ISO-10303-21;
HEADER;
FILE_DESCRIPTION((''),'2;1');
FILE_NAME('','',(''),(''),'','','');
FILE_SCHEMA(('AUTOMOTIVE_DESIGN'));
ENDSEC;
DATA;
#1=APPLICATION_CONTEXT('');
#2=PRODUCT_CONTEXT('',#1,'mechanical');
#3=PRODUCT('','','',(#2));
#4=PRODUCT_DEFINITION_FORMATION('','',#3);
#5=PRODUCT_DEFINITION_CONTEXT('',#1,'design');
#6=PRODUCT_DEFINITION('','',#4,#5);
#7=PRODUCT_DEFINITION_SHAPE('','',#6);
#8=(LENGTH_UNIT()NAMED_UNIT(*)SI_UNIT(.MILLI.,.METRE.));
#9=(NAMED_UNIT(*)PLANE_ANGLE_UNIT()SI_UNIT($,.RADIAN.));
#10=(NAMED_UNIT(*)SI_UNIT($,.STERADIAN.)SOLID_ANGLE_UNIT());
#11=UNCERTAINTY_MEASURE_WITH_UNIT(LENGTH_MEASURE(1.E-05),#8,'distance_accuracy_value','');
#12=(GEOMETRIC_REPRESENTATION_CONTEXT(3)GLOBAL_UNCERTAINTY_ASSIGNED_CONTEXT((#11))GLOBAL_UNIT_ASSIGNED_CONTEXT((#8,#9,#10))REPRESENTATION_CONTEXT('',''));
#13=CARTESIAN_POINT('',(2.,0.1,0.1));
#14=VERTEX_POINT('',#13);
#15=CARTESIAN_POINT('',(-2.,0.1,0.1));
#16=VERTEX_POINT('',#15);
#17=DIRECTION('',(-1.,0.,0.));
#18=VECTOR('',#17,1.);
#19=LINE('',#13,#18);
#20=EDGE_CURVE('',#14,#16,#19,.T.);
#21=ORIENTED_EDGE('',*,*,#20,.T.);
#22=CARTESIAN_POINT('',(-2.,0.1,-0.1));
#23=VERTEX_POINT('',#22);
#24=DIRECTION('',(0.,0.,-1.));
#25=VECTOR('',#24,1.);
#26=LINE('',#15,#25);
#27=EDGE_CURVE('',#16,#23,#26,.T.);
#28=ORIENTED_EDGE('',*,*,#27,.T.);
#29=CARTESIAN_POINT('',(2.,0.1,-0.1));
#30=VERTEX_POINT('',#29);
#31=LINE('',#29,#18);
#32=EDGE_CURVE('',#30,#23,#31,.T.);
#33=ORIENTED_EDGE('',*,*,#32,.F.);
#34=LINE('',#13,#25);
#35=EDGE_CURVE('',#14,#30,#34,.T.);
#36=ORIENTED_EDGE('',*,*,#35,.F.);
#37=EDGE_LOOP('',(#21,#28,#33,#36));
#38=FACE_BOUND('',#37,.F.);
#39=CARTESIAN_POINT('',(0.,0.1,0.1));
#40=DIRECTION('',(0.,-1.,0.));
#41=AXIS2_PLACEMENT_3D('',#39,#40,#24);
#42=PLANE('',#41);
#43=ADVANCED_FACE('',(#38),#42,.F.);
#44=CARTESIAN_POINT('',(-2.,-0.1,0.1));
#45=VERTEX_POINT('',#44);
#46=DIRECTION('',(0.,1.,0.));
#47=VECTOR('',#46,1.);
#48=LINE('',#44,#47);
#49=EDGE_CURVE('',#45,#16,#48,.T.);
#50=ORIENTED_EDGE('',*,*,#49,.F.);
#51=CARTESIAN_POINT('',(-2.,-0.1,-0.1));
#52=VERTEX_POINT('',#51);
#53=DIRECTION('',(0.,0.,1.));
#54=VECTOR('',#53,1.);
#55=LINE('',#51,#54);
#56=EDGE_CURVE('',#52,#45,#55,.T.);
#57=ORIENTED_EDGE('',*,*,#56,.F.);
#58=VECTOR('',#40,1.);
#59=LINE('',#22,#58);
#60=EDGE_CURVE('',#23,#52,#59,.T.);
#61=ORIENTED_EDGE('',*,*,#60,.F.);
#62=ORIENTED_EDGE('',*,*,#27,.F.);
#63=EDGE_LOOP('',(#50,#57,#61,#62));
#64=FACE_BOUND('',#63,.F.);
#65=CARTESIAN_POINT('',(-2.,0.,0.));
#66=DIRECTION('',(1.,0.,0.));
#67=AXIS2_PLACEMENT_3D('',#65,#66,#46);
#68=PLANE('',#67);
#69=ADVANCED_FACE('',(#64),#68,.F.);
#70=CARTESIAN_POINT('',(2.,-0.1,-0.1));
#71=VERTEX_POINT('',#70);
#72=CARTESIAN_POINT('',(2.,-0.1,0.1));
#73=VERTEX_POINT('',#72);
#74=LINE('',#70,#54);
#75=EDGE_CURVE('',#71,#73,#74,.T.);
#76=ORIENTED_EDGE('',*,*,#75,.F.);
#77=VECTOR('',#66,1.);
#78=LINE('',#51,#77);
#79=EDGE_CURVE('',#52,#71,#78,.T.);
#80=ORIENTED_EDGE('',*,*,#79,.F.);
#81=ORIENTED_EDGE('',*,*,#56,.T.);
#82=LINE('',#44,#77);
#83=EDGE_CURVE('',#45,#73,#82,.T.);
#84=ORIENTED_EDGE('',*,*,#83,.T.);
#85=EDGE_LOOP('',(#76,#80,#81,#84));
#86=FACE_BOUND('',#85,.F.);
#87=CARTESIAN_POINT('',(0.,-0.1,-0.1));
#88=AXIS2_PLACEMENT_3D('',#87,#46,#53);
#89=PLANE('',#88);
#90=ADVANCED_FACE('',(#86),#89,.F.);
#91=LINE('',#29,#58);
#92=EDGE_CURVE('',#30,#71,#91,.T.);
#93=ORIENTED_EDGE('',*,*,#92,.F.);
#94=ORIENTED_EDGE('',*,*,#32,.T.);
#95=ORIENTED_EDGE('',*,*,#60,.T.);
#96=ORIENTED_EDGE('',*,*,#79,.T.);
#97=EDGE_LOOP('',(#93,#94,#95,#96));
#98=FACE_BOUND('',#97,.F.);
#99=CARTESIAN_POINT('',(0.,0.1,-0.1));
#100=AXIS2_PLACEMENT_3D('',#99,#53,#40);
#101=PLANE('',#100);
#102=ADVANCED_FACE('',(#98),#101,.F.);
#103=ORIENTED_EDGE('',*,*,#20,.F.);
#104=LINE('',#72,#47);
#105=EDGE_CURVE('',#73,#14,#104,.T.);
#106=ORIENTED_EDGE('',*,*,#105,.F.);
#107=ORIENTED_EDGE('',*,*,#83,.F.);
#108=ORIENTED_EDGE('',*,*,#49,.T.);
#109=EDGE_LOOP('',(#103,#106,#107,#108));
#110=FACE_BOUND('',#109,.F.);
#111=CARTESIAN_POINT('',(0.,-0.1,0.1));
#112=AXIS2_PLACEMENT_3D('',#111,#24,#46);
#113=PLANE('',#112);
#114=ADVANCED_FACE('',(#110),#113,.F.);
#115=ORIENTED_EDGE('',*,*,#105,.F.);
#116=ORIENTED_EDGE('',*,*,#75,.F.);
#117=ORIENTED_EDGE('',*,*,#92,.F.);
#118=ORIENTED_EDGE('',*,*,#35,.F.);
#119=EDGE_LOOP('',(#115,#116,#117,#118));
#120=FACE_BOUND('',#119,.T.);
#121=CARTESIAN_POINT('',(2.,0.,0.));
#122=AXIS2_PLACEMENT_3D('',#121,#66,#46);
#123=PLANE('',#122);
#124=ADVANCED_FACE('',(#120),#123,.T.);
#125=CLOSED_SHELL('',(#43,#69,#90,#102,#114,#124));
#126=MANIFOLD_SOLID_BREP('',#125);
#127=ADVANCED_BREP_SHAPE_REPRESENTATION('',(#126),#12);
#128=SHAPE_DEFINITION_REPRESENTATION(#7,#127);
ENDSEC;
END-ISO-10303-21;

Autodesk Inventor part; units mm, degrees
ref_plane "YZ Plane" through (0, 0, 0) normal (1, 0, 0) x (0, 1, 0)
ref_plane "XZ Plane" through (0, 0, 0) normal (0, 1, 0) x (-1, 0, 0)
ref_plane "XY Plane" through (0, 0, 0) normal (0, 0, 1) x (1, 0, 0)
sketch "Sketch1" plane through (0, 0, 0) normal (1, 0, 0) x (0, 1, 0)
  line L0 (-0.1, 0.1) -> (0.1, 0.1)
  line L1 (0.1, 0.1) -> (0.1, -0.1)
  line L2 (0.1, -0.1) -> (-0.1, -0.1)
  line L3 (-0.1, -0.1) -> (-0.1, 0.1)
  line L4 (-0.1, 0.1) -> (0.1, -0.1) construction
  line L5 (0.1, 0.1) -> (-0.1, -0.1) construction
  point P0 (0, 0)
  dimension "d0" = 0.2
  dimension "d1" = 0.2
extrude "Extrusion1" add sketch "Sketch1" against normal mid plane 4
properties part number "Bone_4_3_Fix"
